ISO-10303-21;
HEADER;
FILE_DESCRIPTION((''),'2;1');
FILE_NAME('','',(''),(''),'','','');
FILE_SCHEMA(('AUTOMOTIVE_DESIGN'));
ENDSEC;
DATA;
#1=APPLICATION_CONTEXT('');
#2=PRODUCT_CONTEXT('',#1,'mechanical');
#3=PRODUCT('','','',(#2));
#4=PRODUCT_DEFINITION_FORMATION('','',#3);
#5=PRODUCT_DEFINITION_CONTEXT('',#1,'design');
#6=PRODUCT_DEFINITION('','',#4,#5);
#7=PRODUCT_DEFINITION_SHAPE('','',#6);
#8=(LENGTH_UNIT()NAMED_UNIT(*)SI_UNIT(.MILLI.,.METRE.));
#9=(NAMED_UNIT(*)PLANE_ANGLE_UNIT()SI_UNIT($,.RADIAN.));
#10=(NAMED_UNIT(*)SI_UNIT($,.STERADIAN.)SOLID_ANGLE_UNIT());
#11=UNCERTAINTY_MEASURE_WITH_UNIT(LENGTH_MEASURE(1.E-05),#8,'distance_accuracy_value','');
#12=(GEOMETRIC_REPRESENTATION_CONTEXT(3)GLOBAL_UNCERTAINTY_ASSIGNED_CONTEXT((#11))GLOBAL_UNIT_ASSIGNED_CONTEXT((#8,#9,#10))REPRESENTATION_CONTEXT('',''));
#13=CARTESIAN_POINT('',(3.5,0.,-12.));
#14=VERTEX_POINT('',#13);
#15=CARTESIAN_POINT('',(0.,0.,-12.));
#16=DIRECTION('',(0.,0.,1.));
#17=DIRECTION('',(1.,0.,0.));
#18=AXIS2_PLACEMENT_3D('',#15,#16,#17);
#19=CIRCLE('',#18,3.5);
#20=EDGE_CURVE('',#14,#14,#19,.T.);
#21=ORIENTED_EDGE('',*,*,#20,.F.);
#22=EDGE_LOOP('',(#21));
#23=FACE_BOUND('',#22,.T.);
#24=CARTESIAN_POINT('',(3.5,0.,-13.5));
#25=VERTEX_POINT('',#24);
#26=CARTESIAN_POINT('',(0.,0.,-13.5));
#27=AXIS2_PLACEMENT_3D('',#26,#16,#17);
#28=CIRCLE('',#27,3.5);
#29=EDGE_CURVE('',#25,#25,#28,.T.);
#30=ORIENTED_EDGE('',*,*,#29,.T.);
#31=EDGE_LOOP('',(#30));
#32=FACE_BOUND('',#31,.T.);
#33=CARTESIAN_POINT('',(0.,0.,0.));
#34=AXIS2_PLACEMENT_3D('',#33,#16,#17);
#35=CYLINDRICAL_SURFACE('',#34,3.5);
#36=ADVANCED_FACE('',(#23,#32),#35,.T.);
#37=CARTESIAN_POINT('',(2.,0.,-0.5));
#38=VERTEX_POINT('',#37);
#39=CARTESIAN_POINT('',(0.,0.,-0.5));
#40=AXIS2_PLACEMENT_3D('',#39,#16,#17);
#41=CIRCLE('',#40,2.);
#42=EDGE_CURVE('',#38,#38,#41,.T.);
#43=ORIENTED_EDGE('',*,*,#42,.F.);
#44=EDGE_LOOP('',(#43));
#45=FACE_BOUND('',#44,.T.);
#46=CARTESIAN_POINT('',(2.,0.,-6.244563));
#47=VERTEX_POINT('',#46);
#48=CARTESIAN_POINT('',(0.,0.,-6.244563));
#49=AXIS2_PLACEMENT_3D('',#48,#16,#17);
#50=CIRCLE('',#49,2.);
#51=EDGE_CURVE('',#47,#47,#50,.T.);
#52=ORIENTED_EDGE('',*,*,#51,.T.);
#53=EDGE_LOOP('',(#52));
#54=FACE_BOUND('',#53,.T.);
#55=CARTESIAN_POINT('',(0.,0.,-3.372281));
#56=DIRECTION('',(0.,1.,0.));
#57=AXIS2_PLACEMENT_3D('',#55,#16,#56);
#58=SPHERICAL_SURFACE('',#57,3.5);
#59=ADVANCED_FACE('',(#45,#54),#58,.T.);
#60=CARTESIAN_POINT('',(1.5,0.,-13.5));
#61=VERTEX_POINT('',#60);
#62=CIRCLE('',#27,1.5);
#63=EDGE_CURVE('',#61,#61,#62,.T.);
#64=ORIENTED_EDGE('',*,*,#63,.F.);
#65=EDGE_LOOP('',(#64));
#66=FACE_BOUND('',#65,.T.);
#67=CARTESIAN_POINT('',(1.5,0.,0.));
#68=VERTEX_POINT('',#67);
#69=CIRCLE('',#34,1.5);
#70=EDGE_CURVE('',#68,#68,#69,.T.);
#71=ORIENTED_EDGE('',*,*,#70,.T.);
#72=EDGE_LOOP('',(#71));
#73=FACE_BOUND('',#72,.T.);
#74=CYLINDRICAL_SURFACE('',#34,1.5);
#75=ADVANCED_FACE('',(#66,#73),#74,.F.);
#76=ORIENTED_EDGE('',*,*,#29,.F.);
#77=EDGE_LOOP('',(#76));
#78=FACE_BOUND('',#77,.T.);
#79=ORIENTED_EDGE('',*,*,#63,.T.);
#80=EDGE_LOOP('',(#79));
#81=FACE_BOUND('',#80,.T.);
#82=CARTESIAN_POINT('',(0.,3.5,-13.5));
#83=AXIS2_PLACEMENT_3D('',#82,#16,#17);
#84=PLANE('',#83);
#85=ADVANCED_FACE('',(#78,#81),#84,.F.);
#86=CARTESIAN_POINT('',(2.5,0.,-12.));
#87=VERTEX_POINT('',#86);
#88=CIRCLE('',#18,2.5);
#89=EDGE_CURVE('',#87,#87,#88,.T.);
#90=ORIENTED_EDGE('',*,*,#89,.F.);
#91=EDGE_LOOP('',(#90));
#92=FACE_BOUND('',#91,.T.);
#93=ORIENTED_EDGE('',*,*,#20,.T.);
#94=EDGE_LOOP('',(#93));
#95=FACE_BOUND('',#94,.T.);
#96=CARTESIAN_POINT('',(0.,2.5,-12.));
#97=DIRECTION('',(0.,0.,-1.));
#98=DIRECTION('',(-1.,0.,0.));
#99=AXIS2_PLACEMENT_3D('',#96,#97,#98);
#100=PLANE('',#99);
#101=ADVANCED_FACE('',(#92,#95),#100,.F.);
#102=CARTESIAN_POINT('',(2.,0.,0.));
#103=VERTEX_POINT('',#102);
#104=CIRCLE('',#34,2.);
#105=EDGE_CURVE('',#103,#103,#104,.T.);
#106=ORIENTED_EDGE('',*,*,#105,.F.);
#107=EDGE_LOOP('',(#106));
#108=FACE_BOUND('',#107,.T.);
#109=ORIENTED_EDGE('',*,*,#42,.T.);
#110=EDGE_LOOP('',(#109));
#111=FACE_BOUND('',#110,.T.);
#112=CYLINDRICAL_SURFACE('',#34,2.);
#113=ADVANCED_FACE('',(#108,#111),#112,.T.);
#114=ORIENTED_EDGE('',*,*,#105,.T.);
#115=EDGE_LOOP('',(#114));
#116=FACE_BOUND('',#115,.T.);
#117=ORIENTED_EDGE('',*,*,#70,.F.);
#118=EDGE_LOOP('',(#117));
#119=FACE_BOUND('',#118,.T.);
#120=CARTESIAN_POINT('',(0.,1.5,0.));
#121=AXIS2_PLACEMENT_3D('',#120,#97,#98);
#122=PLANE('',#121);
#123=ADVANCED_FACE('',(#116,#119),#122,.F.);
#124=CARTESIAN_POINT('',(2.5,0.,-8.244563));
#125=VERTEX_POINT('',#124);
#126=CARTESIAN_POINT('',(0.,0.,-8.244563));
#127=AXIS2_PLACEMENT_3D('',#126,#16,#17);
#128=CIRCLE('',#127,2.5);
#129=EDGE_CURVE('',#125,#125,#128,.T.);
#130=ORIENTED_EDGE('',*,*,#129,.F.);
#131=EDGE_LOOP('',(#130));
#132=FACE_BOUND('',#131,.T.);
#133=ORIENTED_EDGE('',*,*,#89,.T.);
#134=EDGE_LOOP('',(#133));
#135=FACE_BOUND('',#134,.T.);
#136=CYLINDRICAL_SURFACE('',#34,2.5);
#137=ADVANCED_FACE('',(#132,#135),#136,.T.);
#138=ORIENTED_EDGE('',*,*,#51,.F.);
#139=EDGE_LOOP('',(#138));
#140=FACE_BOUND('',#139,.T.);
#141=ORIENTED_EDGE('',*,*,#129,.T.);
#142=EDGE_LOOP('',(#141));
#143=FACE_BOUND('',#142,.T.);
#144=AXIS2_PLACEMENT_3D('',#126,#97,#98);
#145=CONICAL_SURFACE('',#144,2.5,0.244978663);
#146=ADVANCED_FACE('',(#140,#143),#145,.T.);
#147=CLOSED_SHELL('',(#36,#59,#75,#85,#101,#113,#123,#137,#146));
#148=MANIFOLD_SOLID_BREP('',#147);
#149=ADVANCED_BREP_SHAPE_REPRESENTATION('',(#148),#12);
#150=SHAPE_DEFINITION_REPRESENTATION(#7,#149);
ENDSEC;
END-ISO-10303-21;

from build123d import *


with BuildPart() as part:
    # Sketch1 → Revolve1 (revolve)
    with BuildSketch(Plane(origin=(0, 0, 0), x_dir=(0, 0, -1), z_dir=(1, 0, 0))):
        with BuildLine():
            Line((6.244562647, 2), (8.244562647, 2.5))
            Line((8.244562647, 2.5), (12, 2.5))
            Line((12, 2.5), (12, 3.5))
            Line((12, 3.5), (13.5, 3.5))
            Line((13.5, 3.5), (13.5, 1.5))
            Line((13.5, 1.5), (0, 1.5))
            Line((0, 1.5), (0, 2))
            Line((0, 2), (0.5, 2))
            ThreePointArc((0.5, 2), (3.372281323, 3.5), (6.244562647, 2))
        make_face()
    revolve(axis=Axis((0, 0, 0), (0, 0, -1)))


solid = part.part
